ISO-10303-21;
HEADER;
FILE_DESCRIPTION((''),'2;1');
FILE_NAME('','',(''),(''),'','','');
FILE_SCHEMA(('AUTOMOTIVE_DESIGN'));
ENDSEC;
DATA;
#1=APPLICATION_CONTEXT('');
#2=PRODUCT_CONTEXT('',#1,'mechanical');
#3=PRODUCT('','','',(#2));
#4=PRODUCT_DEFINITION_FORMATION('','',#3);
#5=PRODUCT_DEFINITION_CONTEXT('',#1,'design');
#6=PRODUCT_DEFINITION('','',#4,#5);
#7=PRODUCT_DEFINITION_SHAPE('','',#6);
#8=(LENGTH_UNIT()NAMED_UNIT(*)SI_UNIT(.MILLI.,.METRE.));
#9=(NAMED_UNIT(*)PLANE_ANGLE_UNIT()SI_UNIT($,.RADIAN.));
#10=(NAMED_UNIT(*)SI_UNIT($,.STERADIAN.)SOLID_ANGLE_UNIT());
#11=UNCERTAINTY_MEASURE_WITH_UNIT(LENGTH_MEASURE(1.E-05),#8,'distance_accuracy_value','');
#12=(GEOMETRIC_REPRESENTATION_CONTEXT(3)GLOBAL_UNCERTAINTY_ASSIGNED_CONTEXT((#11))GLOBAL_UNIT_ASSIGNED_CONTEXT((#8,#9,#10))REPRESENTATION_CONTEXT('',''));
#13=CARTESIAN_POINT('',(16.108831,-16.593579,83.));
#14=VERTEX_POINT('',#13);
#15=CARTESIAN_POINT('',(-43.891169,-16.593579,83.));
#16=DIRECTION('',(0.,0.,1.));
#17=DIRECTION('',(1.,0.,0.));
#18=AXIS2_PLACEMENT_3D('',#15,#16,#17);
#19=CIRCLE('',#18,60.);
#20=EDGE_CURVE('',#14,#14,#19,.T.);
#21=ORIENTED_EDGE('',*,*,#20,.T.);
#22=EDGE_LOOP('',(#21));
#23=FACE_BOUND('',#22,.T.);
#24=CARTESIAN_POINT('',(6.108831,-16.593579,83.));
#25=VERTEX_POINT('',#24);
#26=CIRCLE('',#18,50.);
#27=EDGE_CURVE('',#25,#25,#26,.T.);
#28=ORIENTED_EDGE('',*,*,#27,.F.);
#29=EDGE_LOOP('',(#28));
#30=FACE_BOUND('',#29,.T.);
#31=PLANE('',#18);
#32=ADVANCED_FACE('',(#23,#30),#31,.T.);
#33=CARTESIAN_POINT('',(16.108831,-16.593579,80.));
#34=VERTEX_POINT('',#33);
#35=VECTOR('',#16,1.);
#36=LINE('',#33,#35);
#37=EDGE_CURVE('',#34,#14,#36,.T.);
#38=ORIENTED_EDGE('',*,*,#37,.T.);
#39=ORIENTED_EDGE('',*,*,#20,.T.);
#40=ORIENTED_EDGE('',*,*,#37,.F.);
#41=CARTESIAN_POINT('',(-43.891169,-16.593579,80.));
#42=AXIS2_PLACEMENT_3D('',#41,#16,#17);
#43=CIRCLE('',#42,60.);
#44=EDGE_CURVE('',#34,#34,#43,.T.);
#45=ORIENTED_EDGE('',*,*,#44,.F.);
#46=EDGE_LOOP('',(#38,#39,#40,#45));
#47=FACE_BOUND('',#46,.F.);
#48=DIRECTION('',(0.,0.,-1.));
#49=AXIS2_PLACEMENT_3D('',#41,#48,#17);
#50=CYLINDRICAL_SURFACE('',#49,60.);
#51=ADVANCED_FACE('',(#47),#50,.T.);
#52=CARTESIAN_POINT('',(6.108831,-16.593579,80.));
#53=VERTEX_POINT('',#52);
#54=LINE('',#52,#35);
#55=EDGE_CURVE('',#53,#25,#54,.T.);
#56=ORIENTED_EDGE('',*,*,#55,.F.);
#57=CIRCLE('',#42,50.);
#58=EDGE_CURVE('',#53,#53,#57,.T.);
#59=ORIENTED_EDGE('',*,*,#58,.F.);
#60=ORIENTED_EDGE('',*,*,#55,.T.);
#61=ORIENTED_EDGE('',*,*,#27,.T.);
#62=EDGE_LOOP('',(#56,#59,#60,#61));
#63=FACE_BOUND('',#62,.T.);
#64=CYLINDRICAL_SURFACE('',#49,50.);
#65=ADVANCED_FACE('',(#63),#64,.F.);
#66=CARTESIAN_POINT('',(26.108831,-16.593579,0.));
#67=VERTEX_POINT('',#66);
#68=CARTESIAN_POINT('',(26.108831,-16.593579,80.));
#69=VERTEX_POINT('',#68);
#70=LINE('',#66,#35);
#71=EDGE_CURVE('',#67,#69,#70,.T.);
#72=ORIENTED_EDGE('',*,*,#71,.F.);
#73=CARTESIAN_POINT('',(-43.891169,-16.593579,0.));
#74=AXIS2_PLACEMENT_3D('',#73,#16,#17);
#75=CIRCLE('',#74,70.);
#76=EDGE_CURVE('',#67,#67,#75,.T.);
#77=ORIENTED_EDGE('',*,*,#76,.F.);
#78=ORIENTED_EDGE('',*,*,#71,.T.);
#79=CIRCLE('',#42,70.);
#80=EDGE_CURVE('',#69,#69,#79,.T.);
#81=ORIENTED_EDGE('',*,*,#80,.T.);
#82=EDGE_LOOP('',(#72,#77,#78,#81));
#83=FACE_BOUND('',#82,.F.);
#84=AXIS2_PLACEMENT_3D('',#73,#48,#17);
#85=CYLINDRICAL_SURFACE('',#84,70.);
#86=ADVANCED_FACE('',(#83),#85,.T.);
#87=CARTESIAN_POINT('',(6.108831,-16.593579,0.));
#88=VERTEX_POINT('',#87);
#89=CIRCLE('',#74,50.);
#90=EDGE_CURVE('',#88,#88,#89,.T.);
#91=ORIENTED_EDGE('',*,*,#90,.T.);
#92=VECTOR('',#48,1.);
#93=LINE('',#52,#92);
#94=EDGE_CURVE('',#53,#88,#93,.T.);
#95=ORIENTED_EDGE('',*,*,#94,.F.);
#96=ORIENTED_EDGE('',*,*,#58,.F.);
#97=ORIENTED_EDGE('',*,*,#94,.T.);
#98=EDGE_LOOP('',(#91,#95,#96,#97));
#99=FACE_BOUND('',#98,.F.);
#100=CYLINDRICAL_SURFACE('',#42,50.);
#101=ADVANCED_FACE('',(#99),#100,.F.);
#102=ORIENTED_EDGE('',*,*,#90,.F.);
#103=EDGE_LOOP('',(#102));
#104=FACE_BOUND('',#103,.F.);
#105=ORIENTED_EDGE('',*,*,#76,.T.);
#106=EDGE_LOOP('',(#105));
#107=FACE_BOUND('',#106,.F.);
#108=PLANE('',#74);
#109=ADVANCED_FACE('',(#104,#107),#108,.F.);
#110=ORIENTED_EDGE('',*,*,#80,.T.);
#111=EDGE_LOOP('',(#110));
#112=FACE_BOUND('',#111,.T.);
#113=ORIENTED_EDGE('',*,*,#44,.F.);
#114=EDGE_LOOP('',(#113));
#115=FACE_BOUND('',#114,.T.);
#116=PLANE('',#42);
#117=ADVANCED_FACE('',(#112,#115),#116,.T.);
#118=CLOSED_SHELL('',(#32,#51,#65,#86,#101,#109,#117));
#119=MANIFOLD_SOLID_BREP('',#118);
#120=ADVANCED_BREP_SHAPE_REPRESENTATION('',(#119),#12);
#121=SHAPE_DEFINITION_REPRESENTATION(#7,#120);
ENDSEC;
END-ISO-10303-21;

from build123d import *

# Parameters (mm, degrees)
F0_R     = 70
F1_DEPTH = 80
F2_R     = 50
F3_DEPTH = 100
F4_R     = 60
F4_R_2   = 50
F5_DEPTH = 3


with BuildPart() as f1:
    # F0 (on Top) → F1 (new body)
    with BuildSketch(Plane.XY):
        with Locations((-43.891169, -16.593579)):
            Circle(F0_R)
    extrude(amount=F1_DEPTH)

    # F2 (on face) → F3 (cut)
    with BuildSketch(Plane.XY.offset(80)):
        with Locations((-43.891169, -16.593579)):
            Circle(F2_R)
    extrude(amount=-F3_DEPTH, mode=Mode.SUBTRACT)

    # F4 (on face) → F5 (join)
    with BuildSketch(Plane.XY.offset(80)):
        with Locations((-43.891169, -16.593579)):
            Circle(F4_R)
        with Locations((-43.891169, -16.593579)):
            Circle(F4_R_2, mode=Mode.SUBTRACT)
    extrude(amount=F5_DEPTH)


solid = f1.part
